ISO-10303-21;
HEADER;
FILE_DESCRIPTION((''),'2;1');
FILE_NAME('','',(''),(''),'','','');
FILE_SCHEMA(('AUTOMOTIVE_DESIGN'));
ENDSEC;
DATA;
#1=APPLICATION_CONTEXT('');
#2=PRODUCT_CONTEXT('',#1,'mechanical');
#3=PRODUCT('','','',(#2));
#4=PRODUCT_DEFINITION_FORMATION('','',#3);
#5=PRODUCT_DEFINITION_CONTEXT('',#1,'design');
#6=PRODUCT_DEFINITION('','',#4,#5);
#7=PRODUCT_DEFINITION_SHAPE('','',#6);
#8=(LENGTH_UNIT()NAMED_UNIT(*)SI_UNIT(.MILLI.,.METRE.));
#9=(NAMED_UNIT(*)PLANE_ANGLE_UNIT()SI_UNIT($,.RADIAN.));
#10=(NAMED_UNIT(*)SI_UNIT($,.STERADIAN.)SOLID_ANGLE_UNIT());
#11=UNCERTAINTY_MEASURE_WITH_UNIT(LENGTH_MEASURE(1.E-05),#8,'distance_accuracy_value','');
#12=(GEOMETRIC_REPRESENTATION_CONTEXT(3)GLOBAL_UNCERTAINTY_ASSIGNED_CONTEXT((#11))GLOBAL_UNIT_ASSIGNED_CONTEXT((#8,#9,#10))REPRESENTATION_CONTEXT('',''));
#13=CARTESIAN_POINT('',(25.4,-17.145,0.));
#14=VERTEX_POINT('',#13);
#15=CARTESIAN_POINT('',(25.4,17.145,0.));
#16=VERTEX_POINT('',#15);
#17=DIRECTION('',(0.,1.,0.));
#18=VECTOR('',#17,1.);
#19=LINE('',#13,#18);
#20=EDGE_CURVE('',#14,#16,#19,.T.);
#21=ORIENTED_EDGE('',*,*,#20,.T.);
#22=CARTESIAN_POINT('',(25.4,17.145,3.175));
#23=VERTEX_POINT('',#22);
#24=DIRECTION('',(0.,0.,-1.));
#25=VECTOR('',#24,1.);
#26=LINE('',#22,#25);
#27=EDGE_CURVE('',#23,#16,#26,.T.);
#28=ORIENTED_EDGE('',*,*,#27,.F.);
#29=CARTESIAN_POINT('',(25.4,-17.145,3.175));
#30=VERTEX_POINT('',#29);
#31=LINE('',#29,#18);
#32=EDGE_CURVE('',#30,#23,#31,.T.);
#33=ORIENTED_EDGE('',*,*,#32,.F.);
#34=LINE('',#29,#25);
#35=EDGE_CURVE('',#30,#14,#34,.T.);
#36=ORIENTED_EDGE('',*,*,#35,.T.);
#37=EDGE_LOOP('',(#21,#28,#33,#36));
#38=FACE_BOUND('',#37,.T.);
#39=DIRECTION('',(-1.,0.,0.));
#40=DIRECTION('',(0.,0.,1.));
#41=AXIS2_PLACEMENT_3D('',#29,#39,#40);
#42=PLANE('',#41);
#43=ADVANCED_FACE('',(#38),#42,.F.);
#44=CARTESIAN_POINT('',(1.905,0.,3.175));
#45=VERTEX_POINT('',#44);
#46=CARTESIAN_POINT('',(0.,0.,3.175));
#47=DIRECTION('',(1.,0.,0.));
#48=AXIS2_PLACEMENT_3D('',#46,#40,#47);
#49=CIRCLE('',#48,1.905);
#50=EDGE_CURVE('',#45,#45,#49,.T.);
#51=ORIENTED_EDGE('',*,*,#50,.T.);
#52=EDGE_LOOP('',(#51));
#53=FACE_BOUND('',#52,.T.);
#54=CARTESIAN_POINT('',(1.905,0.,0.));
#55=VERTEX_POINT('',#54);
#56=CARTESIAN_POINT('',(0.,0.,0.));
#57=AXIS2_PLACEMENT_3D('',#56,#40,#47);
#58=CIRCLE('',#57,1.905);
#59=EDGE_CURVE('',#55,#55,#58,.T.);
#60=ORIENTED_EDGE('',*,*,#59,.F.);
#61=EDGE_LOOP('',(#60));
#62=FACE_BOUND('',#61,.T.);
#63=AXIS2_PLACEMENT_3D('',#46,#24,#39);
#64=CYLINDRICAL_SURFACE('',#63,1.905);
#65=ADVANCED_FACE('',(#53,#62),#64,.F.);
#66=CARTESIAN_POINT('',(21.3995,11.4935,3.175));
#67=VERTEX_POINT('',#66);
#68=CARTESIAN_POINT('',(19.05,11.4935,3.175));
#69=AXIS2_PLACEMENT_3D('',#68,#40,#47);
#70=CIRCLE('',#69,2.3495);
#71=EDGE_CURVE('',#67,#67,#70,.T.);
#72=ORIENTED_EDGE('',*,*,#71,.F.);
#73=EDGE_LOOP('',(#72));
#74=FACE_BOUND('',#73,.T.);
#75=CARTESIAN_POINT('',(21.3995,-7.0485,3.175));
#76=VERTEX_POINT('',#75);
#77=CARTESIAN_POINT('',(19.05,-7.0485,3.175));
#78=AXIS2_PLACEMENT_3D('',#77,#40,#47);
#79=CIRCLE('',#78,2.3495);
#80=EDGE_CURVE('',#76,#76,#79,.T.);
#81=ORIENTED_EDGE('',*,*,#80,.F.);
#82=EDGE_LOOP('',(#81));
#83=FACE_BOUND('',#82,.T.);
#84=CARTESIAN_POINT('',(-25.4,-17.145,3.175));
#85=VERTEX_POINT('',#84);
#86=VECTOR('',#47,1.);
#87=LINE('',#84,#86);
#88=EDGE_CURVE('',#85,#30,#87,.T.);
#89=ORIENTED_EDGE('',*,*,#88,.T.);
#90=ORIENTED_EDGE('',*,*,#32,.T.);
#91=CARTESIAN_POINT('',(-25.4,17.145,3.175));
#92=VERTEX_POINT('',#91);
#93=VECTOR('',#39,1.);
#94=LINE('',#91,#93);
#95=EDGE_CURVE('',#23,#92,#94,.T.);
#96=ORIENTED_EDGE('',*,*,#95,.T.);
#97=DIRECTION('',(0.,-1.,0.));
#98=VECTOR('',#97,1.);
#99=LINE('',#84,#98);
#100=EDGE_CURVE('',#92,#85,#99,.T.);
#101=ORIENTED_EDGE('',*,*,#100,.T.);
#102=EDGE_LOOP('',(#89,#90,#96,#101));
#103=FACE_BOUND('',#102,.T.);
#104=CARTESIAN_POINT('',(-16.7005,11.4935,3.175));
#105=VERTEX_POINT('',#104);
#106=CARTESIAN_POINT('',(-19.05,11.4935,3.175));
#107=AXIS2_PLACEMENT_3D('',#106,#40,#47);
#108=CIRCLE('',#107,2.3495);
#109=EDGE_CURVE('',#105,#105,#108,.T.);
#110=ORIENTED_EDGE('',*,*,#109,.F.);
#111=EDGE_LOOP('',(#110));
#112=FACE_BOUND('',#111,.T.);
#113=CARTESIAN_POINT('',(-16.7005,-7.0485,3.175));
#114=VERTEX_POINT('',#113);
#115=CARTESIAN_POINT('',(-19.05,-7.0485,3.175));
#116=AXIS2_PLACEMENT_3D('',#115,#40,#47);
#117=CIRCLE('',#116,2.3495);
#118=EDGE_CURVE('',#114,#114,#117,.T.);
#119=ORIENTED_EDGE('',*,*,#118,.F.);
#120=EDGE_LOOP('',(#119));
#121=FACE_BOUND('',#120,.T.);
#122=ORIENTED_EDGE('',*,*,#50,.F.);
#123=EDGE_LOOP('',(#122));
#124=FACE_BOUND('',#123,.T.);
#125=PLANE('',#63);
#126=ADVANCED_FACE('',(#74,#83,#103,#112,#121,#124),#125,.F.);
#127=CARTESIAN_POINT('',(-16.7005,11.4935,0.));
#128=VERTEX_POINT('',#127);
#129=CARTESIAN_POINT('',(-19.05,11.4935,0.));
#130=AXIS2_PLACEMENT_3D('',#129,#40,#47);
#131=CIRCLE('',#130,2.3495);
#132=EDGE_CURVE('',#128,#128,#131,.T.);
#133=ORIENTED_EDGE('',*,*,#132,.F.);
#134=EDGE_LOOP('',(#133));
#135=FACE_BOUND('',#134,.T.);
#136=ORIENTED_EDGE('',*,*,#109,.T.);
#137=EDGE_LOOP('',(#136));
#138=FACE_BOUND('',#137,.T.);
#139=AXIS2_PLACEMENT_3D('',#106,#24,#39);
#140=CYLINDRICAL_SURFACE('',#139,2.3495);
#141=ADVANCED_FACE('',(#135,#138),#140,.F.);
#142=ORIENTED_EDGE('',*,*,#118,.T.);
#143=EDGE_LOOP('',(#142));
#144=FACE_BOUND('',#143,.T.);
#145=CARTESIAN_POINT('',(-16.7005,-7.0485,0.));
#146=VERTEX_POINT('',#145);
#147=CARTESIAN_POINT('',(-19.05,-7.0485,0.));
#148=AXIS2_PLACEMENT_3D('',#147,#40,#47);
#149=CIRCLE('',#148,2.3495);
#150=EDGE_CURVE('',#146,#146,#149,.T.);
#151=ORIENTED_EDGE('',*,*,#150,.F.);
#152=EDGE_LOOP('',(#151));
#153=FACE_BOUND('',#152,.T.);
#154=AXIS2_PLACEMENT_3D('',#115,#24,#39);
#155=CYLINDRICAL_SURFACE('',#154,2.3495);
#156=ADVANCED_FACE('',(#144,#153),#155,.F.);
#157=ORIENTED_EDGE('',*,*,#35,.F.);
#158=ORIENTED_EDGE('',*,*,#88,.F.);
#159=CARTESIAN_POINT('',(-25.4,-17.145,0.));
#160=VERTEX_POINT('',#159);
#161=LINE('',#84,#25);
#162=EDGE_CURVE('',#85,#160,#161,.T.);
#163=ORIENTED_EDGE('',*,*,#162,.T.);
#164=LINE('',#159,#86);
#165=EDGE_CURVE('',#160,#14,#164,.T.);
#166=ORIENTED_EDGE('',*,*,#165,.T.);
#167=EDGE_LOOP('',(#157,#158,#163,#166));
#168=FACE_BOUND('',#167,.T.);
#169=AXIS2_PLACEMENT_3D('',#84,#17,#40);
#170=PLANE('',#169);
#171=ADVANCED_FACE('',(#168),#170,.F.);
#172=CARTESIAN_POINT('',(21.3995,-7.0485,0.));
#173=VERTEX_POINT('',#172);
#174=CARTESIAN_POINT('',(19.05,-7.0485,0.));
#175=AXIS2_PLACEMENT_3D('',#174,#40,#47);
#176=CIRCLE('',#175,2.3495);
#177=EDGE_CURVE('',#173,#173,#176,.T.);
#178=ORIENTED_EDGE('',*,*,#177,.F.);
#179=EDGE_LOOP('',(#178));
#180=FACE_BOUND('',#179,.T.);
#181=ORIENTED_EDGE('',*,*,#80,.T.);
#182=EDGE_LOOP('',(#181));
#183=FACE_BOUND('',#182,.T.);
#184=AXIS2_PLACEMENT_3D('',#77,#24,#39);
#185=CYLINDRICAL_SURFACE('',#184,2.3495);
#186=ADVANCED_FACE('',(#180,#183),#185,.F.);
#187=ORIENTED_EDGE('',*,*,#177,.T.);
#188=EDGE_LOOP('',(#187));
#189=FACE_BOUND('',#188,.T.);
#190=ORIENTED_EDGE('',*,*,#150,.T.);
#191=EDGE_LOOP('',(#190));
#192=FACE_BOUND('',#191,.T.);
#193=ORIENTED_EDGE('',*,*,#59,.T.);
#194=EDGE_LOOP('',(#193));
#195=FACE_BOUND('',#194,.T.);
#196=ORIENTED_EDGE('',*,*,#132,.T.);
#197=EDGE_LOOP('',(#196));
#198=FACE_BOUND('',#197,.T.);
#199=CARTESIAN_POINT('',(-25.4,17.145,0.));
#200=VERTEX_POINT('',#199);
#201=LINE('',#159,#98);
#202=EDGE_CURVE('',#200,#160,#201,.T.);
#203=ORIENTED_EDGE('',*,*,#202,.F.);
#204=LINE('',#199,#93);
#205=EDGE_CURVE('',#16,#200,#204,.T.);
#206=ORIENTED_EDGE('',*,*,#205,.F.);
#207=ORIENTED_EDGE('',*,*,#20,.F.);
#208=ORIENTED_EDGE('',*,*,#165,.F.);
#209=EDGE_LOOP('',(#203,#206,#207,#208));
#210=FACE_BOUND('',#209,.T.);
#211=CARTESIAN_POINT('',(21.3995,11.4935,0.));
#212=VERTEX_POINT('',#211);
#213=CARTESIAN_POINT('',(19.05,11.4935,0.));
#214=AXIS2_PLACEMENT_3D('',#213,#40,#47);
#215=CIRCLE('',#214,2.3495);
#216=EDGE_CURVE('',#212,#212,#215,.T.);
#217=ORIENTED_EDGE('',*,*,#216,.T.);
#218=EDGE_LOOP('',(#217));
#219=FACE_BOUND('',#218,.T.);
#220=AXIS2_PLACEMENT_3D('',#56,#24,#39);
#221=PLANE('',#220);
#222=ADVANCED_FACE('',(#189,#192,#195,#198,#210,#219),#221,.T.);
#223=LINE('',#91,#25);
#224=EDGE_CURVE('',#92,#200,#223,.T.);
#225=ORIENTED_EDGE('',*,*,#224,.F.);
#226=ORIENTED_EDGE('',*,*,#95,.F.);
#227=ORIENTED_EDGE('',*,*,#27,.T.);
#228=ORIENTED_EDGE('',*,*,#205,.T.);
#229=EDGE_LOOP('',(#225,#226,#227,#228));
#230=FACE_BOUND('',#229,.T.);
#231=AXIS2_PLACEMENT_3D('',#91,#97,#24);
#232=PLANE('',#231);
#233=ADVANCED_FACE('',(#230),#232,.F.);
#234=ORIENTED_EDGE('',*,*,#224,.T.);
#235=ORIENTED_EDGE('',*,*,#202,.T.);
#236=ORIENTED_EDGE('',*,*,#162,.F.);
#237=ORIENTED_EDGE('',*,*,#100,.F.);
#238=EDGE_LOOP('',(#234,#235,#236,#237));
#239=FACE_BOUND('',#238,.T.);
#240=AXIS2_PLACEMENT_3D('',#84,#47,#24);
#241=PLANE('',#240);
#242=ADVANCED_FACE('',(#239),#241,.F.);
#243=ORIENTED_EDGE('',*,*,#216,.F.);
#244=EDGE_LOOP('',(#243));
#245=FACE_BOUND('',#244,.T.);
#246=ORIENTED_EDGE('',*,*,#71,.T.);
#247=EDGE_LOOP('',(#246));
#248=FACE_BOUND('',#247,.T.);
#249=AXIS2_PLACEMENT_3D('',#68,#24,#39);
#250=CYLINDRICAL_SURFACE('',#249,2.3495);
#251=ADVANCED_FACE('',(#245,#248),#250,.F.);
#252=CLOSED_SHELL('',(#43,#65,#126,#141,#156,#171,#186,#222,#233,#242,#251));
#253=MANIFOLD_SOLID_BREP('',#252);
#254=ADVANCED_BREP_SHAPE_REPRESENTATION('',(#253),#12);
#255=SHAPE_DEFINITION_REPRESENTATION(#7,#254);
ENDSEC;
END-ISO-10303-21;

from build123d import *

# Parameters (mm, degrees)
SKETCH1_W           = 50.8
SKETCH1_H           = 34.29
SKETCH1_R           = 2.3495
SKETCH1_R_2         = 1.905
BOSS_EXTRUDE1_DEPTH = 3.175


with BuildPart() as part:
    # Sketch1 → Boss-Extrude1 (new body)
    with BuildSketch(Plane.XY):
        Rectangle(SKETCH1_W, SKETCH1_H)
        with Locations((19.05, -7.0485)):
            Circle(SKETCH1_R, mode=Mode.SUBTRACT)
        with Locations((19.05, 11.4935)):
            Circle(SKETCH1_R, mode=Mode.SUBTRACT)
        with Locations((-19.05, 11.4935)):
            Circle(SKETCH1_R, mode=Mode.SUBTRACT)
        with Locations((-19.05, -7.0485)):
            Circle(SKETCH1_R, mode=Mode.SUBTRACT)
        Circle(SKETCH1_R_2, mode=Mode.SUBTRACT)
    extrude(amount=BOSS_EXTRUDE1_DEPTH)


solid = part.part
